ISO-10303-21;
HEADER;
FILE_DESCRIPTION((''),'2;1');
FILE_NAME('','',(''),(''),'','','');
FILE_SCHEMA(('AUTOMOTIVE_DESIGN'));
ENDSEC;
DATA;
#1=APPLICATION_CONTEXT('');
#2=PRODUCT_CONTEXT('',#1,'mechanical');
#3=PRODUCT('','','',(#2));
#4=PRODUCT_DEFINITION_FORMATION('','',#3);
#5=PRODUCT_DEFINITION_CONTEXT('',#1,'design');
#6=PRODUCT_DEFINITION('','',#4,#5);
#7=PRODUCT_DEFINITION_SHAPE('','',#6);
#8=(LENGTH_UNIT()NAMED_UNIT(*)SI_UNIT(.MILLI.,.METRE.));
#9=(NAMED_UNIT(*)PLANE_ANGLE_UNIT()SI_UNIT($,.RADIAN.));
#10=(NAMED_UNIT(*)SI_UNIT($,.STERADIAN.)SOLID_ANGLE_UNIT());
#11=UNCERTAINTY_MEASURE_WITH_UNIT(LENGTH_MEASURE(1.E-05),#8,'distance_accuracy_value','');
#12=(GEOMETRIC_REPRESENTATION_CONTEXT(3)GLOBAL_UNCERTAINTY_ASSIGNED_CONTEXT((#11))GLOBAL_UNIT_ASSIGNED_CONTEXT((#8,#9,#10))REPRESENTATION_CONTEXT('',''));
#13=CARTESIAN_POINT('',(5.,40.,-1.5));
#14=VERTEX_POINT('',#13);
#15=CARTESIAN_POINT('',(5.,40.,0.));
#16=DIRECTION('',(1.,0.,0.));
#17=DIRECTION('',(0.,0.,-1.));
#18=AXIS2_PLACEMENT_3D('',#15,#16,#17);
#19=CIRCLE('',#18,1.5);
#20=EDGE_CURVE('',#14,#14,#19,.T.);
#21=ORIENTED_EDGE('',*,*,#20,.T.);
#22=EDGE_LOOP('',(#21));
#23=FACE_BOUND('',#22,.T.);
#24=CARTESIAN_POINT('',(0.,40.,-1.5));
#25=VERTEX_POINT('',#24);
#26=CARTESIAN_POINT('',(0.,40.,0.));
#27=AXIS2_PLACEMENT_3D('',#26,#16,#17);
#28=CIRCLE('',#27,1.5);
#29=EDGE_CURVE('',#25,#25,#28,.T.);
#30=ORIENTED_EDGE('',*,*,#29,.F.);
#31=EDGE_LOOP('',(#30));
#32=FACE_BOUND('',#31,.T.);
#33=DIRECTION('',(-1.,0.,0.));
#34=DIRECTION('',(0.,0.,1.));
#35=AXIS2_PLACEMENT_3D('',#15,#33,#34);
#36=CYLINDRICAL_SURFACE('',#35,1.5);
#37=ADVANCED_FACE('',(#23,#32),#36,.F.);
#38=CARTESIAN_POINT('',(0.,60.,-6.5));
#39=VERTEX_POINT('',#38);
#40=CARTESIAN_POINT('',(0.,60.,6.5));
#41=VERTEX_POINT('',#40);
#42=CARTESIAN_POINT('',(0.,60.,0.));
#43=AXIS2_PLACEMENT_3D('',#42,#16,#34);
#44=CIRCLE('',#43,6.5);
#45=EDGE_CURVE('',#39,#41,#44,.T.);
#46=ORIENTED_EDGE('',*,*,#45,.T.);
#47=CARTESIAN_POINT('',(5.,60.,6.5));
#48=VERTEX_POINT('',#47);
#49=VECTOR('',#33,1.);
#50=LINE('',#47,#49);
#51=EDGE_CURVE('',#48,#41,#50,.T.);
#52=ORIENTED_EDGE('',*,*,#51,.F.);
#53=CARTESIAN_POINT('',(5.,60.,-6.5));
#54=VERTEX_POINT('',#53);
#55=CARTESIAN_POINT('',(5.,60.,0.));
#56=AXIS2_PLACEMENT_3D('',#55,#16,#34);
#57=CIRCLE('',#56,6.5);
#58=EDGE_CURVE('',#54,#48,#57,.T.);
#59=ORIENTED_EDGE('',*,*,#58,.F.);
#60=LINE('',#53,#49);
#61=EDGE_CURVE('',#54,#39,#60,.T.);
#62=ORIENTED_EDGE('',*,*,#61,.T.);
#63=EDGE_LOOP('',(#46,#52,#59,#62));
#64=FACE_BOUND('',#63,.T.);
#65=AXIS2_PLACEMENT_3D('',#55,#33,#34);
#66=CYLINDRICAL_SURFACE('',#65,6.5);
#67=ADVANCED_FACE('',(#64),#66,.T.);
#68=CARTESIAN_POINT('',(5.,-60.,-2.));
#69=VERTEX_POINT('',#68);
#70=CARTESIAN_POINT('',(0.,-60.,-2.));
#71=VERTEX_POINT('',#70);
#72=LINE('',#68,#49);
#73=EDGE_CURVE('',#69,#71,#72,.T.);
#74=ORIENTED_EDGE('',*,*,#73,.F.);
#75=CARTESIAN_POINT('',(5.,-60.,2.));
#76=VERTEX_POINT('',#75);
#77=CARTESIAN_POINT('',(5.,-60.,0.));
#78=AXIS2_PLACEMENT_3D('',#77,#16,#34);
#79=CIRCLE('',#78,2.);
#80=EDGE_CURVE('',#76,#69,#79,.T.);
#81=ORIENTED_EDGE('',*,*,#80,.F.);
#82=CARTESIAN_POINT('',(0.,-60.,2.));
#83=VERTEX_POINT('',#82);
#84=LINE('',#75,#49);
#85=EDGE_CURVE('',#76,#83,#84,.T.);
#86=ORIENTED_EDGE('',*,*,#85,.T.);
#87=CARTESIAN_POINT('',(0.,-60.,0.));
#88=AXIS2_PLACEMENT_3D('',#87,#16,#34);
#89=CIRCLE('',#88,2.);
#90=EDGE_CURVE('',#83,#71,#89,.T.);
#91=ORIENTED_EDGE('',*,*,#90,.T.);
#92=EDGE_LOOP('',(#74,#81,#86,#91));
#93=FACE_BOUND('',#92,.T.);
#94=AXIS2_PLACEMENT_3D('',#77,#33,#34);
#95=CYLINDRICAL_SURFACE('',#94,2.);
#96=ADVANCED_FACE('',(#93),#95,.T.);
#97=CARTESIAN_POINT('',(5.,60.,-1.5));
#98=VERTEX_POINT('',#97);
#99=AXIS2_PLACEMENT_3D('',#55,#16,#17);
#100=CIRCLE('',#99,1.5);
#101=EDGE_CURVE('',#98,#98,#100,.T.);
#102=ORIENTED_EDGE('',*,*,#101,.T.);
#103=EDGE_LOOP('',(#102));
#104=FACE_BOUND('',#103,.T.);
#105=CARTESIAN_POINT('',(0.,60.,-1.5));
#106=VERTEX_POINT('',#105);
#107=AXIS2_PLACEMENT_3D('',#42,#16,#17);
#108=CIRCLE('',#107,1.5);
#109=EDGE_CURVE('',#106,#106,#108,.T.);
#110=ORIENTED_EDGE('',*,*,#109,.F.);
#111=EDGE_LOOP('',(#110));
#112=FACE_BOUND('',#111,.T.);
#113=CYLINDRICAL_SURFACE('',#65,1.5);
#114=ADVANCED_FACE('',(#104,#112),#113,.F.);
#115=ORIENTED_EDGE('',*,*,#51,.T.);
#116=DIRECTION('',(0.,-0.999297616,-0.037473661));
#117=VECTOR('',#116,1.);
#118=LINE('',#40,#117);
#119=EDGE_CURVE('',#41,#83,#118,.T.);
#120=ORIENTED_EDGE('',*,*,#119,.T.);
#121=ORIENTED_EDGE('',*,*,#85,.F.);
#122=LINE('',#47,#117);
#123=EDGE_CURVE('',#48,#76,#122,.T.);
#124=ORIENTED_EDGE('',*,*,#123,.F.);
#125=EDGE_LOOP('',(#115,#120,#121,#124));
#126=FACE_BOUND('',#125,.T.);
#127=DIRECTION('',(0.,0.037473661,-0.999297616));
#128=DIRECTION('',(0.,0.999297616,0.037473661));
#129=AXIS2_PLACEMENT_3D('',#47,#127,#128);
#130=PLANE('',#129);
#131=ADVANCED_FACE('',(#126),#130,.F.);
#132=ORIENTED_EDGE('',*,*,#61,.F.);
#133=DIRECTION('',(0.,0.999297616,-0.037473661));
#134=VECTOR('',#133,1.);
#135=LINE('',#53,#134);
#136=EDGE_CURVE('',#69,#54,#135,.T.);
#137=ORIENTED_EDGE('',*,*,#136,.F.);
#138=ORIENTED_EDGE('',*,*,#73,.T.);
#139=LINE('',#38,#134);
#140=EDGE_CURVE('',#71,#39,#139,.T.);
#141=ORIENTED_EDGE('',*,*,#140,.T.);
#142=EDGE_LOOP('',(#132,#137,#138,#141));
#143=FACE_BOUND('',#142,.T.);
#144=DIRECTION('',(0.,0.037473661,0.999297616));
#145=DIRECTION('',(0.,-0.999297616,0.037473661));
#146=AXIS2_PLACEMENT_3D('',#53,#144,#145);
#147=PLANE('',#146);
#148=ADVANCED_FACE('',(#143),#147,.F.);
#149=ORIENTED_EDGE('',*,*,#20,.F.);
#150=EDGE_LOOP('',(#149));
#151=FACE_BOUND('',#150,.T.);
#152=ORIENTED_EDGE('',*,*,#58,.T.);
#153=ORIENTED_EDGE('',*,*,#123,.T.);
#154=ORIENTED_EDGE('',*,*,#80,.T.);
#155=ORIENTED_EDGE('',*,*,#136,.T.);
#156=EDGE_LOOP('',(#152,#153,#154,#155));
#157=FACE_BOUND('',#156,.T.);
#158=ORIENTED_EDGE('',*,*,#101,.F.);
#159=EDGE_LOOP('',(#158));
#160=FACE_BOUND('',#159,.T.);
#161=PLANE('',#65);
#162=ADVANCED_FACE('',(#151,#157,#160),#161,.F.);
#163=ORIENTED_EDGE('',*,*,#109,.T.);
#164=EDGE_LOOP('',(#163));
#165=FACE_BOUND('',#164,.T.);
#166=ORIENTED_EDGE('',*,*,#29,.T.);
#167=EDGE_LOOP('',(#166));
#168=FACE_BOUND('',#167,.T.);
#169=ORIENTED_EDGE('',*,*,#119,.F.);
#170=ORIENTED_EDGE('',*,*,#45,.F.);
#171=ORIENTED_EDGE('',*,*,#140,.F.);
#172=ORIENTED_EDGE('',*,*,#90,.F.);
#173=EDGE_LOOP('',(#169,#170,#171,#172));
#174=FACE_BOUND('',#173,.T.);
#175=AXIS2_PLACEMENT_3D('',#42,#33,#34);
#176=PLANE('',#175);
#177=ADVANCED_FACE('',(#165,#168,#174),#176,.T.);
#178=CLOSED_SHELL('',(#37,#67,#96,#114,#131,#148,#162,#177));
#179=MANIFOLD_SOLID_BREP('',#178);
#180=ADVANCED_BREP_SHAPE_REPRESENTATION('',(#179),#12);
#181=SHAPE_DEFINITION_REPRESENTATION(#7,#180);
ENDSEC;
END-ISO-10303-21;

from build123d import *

# Parameters (mm, degrees)
SKETCH1_R           = 1.5
BOSS_EXTRUDE1_DEPTH = 5


with BuildPart() as part:
    # Sketch1 → Boss-Extrude1 (new body)
    with BuildSketch(Plane(origin=(0, 0, 0), x_dir=(0, 0, -1), z_dir=(1, 0, 0))):
        with BuildLine():
            Line((-6.5, 60), (-2, -60))
            ThreePointArc((-2, -60), (0, -62), (2, -60))
            Line((2, -60), (6.5, 60))
            ThreePointArc((6.5, 60), (0, 66.5), (-6.5, 60))
        make_face()
        with Locations((0, 60)):
            Circle(SKETCH1_R, mode=Mode.SUBTRACT)
        with Locations((0, 40)):
            Circle(SKETCH1_R, mode=Mode.SUBTRACT)
    extrude(amount=BOSS_EXTRUDE1_DEPTH)


solid = part.part
